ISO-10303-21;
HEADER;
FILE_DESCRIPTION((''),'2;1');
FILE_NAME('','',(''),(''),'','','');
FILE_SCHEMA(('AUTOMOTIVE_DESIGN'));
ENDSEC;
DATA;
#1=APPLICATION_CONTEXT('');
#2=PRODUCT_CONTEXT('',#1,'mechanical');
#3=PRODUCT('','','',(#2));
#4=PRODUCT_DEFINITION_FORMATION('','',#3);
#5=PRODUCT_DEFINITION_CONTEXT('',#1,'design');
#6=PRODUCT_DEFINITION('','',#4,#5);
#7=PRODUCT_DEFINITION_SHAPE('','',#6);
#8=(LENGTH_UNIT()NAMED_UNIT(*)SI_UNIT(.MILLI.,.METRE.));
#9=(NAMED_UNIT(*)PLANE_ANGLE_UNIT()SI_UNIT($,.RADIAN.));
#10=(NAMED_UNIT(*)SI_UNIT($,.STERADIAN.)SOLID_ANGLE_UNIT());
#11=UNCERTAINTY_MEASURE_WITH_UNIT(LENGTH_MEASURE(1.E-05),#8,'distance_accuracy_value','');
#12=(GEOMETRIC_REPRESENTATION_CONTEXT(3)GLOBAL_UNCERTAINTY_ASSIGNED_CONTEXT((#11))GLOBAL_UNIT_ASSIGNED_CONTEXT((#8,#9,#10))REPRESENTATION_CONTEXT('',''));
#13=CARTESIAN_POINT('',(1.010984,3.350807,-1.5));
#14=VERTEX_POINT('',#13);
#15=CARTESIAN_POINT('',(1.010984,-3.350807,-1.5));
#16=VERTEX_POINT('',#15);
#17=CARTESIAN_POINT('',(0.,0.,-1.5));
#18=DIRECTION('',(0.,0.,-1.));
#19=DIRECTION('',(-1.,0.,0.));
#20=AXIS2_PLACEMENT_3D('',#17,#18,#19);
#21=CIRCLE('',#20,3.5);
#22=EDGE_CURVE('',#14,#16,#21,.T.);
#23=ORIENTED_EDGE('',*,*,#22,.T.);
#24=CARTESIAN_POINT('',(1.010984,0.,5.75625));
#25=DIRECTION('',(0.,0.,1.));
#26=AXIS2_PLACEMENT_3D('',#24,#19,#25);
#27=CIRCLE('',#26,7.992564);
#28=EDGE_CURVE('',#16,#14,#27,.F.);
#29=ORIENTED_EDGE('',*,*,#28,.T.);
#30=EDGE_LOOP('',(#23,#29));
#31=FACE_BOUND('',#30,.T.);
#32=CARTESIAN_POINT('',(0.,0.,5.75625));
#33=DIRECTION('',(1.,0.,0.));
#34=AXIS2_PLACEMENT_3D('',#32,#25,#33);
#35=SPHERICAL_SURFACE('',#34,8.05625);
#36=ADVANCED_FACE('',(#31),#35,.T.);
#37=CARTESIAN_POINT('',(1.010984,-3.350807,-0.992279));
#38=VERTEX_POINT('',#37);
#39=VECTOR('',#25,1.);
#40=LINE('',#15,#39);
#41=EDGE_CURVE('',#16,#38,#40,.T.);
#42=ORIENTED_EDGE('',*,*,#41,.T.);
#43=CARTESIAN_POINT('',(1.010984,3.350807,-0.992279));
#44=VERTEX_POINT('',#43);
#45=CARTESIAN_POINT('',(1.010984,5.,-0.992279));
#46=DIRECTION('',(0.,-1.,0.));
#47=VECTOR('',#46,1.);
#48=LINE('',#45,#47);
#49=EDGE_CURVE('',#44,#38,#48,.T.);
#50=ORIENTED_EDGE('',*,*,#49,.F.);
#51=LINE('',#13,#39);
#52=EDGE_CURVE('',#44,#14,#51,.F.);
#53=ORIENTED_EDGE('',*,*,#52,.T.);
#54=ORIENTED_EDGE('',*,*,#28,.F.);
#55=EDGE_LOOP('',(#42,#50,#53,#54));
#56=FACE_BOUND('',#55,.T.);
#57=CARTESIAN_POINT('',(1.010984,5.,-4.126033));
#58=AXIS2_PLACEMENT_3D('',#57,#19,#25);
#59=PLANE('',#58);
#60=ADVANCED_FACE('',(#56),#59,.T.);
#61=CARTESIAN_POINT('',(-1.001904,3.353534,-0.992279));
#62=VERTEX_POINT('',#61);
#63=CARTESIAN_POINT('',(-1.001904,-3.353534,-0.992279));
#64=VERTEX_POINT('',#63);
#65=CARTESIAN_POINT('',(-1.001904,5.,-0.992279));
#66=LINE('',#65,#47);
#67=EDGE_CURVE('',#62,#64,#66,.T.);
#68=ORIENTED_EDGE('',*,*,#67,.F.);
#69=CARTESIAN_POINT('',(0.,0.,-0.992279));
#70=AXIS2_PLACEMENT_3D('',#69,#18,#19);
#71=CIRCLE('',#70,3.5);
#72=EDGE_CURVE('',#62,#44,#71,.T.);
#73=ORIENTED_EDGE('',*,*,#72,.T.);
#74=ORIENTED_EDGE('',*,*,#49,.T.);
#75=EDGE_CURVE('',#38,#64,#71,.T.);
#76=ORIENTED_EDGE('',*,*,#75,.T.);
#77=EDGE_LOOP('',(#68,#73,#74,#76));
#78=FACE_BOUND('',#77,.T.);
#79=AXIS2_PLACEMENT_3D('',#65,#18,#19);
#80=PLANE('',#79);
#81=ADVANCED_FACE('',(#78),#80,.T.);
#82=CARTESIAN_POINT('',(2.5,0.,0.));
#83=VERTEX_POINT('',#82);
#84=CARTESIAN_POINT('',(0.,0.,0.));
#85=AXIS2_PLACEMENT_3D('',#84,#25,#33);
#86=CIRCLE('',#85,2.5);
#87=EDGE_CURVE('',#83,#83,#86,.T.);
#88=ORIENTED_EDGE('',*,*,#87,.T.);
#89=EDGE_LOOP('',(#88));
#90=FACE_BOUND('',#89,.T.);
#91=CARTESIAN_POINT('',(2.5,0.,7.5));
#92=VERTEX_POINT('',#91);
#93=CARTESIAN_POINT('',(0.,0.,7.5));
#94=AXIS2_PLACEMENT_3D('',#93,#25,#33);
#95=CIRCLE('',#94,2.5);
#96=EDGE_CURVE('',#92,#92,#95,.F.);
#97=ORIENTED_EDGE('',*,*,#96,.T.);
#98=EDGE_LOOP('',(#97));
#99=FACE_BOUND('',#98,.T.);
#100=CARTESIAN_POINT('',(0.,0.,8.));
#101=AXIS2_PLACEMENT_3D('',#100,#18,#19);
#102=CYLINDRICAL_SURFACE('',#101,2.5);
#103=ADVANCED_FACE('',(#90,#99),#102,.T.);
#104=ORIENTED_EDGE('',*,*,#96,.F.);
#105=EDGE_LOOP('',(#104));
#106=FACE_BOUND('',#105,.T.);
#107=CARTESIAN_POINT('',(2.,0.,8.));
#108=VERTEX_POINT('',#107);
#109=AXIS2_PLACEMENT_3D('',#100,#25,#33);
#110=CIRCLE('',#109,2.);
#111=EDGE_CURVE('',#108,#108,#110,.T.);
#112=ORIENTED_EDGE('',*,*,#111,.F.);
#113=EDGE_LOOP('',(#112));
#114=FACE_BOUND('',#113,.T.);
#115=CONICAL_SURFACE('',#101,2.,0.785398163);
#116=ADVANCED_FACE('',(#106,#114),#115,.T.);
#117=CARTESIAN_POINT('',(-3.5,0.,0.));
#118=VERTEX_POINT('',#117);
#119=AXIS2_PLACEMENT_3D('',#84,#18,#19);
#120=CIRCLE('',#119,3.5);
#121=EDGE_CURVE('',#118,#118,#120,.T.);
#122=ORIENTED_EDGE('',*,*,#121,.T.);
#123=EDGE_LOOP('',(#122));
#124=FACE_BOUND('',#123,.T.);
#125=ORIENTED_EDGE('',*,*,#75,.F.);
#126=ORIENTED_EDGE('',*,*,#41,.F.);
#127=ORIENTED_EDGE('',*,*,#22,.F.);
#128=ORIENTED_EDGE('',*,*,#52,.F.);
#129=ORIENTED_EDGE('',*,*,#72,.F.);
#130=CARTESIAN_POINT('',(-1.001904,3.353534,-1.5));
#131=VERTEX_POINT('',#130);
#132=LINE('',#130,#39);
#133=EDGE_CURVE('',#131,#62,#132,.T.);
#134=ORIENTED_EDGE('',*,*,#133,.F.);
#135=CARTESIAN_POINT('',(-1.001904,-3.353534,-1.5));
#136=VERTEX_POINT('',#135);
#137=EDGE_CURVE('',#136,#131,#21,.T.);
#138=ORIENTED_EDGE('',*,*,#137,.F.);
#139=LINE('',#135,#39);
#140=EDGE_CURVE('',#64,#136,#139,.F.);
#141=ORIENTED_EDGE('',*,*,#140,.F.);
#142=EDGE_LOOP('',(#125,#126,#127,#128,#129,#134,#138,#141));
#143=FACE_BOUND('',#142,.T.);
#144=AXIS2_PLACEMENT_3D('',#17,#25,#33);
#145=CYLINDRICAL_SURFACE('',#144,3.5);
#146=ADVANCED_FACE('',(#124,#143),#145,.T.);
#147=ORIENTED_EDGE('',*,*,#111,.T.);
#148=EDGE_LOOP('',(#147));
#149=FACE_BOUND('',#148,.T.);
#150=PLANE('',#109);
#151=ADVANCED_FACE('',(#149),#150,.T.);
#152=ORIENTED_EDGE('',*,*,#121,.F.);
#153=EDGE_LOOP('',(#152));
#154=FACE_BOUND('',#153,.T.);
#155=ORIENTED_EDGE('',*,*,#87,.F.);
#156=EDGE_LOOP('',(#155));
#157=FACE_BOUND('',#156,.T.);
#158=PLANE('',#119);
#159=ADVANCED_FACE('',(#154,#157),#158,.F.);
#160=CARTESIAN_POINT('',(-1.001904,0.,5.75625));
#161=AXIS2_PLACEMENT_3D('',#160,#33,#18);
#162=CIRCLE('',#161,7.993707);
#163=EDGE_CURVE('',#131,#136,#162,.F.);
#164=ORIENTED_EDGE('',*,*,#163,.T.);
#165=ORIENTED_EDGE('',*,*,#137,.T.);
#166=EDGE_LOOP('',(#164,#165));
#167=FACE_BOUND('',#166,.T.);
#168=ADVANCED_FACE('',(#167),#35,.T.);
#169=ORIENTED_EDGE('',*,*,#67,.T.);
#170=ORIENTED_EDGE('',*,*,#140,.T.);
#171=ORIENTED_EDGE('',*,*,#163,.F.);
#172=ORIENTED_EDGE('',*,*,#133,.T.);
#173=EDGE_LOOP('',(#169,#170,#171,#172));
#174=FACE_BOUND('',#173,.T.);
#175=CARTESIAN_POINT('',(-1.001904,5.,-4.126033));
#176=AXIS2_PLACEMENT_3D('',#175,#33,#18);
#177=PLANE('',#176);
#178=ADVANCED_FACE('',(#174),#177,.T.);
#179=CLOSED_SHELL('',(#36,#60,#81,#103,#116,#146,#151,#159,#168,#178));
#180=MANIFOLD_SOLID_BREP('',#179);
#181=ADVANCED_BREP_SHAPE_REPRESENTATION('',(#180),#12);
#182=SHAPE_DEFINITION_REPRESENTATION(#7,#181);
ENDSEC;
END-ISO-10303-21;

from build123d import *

# Parameters (mm, degrees)
SKETCH_1_R          = 2.5
EXTRUDE_1_DEPTH     = 8
CHAMFER_2_SIZE      = 0.5
SKETCH_2_R          = 3.5
EXTRUDE_2_DEPTH     = 1.5
DOME_1_FACE_RADIUS  = 3.5
DOME_1_HEIGHT       = 0.8
SKETCH_3_W          = 2.012887991
SKETCH_3_H          = 3.133753739
CUT_EXTRUDE_1_DEPTH = 5


with BuildPart() as part:
    # 草图1 → 凸台-拉伸1 (new body)
    with BuildSketch(Plane.XY):
        Circle(SKETCH_1_R)
    extrude(amount=EXTRUDE_1_DEPTH)

    # 倒角2
    chamfer_2_edges = [part.edges().sort_by_distance(p)[0] for p in [
        (-2.5, 0, 8),
    ]]
    chamfer(chamfer_2_edges, length=CHAMFER_2_SIZE)

    # 草图2 → 凸台-拉伸2 (add)
    with BuildSketch(Plane(origin=(0, 0, 0), x_dir=(-1, 0, 0), z_dir=(0, 0, -1))):
        Circle(SKETCH_2_R)
    extrude(amount=EXTRUDE_2_DEPTH)

    # 圆顶1: a dome of height H over a round flat face of radius A is a cap of a sphere of radius (A * A + H * H) / (2 * H)
    dome_1_r = (DOME_1_FACE_RADIUS * DOME_1_FACE_RADIUS + DOME_1_HEIGHT * DOME_1_HEIGHT) / (2 * DOME_1_HEIGHT)
    dome_1_base = Plane((0, 0, -1.5), z_dir=(0, 0, -1))
    with Locations(dome_1_base.offset(DOME_1_HEIGHT - dome_1_r)):
        dome_1_ball = Sphere(dome_1_r, mode=Mode.PRIVATE)
    add(split(dome_1_ball, bisect_by=dome_1_base, keep=Keep.TOP, mode=Mode.PRIVATE))

    # 草图3 → 切除-拉伸1 (cut, symmetric)
    with BuildSketch(Plane(origin=(0, 0, 0), x_dir=(1, 0, 0), z_dir=(0, 1, 0))):
        with Locations((0.004540496, 2.559156118)):
            Rectangle(SKETCH_3_W, SKETCH_3_H)
    extrude(amount=CUT_EXTRUDE_1_DEPTH, both=True, mode=Mode.SUBTRACT)


solid = part.part
